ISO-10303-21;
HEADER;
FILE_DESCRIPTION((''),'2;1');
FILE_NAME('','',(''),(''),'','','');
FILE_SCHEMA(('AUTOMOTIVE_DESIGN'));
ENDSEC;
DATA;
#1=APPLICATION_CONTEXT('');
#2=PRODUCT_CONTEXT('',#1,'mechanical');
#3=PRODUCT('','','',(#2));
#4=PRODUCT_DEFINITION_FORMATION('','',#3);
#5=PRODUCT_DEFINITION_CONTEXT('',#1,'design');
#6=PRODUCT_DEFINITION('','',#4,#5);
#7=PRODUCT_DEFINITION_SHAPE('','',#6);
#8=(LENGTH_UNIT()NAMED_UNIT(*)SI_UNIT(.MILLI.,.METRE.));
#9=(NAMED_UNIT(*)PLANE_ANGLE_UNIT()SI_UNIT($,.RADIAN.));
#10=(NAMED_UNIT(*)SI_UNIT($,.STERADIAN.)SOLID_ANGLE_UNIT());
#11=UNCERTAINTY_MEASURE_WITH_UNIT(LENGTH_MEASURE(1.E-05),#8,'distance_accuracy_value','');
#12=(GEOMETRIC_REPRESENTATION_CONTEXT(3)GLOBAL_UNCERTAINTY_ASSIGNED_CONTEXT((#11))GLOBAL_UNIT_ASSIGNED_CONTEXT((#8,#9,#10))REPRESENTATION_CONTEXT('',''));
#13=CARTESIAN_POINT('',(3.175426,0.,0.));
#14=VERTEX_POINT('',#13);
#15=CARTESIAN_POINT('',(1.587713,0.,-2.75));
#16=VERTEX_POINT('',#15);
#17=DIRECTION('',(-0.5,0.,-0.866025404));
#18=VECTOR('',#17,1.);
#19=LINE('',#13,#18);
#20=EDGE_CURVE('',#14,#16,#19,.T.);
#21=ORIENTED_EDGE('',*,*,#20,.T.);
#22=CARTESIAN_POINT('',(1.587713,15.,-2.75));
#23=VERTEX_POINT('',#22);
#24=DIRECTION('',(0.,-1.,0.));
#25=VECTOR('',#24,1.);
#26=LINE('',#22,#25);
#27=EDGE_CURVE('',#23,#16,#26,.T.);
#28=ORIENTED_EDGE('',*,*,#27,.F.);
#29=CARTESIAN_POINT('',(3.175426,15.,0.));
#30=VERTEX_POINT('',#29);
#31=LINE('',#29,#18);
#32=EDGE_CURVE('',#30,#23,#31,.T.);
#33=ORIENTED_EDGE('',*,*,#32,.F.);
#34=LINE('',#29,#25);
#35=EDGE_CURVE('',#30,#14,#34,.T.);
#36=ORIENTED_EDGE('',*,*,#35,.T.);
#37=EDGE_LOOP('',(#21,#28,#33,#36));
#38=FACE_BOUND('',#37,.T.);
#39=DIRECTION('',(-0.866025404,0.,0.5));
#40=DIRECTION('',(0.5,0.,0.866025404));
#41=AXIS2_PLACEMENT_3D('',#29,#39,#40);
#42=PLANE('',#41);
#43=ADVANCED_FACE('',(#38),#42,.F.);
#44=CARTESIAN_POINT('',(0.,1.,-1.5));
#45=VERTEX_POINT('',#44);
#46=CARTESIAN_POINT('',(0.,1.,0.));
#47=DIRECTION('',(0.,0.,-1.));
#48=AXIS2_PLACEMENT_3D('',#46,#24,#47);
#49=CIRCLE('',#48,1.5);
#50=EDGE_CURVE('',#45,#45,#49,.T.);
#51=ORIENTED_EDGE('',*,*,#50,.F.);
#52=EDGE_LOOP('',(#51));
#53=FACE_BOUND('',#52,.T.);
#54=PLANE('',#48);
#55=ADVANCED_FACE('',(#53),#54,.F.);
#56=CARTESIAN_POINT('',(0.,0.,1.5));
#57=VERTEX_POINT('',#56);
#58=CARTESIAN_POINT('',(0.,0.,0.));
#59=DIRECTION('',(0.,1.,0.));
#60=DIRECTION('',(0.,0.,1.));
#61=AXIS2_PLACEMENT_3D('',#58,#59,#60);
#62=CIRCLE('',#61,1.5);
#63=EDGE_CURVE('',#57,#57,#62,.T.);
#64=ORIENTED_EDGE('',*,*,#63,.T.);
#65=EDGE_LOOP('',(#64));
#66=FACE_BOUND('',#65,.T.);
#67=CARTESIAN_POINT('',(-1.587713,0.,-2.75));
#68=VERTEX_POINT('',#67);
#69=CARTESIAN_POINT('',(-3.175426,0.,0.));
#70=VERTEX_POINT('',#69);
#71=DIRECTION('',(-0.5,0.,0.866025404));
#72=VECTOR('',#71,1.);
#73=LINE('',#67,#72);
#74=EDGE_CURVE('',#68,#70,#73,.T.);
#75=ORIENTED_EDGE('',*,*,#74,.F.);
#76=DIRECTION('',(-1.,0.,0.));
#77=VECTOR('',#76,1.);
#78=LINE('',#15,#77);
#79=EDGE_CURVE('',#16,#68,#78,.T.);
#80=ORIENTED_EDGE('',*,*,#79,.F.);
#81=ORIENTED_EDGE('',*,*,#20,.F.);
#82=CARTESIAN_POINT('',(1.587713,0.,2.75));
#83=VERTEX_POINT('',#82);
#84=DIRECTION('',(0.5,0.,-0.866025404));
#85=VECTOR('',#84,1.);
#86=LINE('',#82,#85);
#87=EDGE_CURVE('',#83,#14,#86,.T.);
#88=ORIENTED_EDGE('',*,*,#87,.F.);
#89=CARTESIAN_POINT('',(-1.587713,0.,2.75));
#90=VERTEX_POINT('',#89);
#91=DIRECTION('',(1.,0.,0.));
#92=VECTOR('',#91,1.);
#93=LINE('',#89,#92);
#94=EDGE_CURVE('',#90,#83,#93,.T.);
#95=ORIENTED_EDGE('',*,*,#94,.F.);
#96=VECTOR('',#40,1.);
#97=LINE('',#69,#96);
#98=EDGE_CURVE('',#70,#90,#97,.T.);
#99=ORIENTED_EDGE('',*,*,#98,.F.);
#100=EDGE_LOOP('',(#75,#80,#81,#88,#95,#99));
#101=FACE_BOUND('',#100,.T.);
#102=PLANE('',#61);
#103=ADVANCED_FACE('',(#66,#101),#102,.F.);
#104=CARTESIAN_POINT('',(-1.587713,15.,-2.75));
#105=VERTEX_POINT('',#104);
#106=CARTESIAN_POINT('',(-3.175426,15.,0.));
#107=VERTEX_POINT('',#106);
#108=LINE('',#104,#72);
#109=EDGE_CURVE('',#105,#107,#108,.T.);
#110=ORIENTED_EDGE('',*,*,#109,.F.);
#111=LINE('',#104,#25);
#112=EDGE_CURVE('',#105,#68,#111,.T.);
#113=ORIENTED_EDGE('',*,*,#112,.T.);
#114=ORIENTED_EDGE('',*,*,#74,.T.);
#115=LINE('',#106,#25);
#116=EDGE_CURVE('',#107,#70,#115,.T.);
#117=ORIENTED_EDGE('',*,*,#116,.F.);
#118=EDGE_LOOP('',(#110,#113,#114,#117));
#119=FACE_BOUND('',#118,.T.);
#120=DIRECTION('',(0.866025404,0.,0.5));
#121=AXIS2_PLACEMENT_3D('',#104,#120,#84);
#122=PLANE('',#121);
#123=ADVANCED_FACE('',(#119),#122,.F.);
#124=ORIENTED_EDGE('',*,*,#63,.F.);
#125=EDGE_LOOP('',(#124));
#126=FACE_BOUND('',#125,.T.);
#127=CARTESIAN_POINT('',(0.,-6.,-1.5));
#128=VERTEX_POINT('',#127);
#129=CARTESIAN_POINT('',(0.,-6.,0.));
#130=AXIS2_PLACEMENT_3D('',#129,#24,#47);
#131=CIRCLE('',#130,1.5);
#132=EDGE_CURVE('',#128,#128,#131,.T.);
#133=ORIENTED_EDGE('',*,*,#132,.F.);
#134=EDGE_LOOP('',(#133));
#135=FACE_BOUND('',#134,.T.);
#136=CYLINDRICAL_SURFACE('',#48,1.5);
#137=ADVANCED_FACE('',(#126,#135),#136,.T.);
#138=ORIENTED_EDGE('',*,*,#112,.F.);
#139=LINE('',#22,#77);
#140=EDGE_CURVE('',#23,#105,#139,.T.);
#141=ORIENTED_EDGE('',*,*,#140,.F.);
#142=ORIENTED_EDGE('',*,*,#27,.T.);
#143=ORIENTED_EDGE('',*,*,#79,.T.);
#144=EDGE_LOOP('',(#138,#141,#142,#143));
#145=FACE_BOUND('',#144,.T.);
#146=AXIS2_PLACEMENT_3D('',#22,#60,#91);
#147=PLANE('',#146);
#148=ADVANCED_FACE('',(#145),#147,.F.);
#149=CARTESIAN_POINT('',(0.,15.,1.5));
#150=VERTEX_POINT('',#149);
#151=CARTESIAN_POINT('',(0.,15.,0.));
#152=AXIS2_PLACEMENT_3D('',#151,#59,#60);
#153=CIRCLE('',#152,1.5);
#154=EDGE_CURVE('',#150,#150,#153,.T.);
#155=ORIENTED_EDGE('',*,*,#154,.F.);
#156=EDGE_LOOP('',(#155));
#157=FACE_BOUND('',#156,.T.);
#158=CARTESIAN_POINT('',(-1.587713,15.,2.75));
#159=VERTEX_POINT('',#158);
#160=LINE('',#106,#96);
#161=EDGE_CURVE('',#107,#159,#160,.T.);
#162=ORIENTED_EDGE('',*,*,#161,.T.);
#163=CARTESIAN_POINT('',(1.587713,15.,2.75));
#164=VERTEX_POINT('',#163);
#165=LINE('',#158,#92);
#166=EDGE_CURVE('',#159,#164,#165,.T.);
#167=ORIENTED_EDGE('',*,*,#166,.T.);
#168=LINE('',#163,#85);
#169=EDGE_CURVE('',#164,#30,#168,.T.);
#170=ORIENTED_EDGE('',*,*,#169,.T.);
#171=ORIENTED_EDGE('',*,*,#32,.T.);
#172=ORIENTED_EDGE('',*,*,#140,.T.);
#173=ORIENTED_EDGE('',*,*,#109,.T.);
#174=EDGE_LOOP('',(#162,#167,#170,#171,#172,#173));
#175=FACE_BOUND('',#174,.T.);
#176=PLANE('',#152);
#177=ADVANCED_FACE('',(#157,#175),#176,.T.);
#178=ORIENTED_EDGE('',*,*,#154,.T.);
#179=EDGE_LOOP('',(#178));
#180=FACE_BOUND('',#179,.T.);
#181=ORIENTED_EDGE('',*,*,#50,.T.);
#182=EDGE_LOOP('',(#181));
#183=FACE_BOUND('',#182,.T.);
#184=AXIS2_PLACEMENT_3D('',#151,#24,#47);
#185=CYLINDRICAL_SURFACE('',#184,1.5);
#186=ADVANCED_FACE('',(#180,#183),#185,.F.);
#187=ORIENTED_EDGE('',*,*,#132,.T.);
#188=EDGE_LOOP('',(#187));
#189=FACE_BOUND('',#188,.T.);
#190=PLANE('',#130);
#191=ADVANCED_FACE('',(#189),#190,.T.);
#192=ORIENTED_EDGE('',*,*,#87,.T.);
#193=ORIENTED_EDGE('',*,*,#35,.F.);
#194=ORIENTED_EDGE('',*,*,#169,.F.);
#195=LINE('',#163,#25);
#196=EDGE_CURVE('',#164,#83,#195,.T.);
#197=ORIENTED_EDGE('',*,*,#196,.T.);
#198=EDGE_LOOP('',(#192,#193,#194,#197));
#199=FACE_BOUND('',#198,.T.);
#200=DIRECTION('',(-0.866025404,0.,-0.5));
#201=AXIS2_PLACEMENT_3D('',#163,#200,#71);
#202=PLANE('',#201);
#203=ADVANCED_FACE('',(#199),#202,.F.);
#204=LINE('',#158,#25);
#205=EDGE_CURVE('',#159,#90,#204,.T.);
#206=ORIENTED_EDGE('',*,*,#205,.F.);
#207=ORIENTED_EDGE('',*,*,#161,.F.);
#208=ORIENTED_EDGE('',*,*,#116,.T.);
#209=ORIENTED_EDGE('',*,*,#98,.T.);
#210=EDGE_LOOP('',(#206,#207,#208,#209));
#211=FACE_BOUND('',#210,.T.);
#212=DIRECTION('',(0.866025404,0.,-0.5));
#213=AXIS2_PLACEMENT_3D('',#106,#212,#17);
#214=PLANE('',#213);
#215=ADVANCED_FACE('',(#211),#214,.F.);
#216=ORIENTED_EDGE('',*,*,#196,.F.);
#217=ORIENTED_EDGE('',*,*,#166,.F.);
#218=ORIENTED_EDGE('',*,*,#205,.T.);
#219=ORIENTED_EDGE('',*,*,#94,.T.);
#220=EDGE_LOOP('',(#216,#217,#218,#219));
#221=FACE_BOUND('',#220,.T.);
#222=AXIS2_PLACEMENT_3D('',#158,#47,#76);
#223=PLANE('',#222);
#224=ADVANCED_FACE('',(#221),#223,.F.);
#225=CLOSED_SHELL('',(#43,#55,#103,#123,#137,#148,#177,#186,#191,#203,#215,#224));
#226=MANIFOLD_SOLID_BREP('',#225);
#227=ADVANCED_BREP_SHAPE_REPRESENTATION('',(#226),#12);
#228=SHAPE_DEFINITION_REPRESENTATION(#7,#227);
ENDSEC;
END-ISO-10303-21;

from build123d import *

# Parameters (mm, degrees)
ESQUISSE1_R             = 1.5
BOSS_EXTRU_1_DEPTH      = 15
BOSS_EXTRU_2_DEPTH      = 6
BOSS_EXTRU_2_DEPTH_BACK = 1
ESQUISSE2_R             = 1.5


with BuildPart() as part:
    # Esquisse1 → Boss.-Extru.1 (new body)
    with BuildSketch(Plane(origin=(0, 0, 0), x_dir=(1, 0, 0), z_dir=(0, 1, 0))):
        Polygon((1.58771324, 2.75), (-1.58771324, 2.75), (-3.175426481, 0), (-1.58771324, -2.75), (1.58771324, -2.75), (3.175426481, 0), align=None)
        with Locations(Location((0, 0, 0), (0, 0, 270))):
            Circle(ESQUISSE1_R, mode=Mode.SUBTRACT)
    extrude(amount=BOSS_EXTRU_1_DEPTH)

    # Esquisse2 → Boss.-Extru.2 (add, two sides: drawn at the far end of the back side and taken through both)
    with BuildSketch(Plane.XZ.offset(-BOSS_EXTRU_2_DEPTH_BACK)):
        with Locations(Location((0, 0, 0), (0, 0, 270))):
            Circle(ESQUISSE2_R)
    extrude(amount=BOSS_EXTRU_2_DEPTH + BOSS_EXTRU_2_DEPTH_BACK)


solid = part.part
